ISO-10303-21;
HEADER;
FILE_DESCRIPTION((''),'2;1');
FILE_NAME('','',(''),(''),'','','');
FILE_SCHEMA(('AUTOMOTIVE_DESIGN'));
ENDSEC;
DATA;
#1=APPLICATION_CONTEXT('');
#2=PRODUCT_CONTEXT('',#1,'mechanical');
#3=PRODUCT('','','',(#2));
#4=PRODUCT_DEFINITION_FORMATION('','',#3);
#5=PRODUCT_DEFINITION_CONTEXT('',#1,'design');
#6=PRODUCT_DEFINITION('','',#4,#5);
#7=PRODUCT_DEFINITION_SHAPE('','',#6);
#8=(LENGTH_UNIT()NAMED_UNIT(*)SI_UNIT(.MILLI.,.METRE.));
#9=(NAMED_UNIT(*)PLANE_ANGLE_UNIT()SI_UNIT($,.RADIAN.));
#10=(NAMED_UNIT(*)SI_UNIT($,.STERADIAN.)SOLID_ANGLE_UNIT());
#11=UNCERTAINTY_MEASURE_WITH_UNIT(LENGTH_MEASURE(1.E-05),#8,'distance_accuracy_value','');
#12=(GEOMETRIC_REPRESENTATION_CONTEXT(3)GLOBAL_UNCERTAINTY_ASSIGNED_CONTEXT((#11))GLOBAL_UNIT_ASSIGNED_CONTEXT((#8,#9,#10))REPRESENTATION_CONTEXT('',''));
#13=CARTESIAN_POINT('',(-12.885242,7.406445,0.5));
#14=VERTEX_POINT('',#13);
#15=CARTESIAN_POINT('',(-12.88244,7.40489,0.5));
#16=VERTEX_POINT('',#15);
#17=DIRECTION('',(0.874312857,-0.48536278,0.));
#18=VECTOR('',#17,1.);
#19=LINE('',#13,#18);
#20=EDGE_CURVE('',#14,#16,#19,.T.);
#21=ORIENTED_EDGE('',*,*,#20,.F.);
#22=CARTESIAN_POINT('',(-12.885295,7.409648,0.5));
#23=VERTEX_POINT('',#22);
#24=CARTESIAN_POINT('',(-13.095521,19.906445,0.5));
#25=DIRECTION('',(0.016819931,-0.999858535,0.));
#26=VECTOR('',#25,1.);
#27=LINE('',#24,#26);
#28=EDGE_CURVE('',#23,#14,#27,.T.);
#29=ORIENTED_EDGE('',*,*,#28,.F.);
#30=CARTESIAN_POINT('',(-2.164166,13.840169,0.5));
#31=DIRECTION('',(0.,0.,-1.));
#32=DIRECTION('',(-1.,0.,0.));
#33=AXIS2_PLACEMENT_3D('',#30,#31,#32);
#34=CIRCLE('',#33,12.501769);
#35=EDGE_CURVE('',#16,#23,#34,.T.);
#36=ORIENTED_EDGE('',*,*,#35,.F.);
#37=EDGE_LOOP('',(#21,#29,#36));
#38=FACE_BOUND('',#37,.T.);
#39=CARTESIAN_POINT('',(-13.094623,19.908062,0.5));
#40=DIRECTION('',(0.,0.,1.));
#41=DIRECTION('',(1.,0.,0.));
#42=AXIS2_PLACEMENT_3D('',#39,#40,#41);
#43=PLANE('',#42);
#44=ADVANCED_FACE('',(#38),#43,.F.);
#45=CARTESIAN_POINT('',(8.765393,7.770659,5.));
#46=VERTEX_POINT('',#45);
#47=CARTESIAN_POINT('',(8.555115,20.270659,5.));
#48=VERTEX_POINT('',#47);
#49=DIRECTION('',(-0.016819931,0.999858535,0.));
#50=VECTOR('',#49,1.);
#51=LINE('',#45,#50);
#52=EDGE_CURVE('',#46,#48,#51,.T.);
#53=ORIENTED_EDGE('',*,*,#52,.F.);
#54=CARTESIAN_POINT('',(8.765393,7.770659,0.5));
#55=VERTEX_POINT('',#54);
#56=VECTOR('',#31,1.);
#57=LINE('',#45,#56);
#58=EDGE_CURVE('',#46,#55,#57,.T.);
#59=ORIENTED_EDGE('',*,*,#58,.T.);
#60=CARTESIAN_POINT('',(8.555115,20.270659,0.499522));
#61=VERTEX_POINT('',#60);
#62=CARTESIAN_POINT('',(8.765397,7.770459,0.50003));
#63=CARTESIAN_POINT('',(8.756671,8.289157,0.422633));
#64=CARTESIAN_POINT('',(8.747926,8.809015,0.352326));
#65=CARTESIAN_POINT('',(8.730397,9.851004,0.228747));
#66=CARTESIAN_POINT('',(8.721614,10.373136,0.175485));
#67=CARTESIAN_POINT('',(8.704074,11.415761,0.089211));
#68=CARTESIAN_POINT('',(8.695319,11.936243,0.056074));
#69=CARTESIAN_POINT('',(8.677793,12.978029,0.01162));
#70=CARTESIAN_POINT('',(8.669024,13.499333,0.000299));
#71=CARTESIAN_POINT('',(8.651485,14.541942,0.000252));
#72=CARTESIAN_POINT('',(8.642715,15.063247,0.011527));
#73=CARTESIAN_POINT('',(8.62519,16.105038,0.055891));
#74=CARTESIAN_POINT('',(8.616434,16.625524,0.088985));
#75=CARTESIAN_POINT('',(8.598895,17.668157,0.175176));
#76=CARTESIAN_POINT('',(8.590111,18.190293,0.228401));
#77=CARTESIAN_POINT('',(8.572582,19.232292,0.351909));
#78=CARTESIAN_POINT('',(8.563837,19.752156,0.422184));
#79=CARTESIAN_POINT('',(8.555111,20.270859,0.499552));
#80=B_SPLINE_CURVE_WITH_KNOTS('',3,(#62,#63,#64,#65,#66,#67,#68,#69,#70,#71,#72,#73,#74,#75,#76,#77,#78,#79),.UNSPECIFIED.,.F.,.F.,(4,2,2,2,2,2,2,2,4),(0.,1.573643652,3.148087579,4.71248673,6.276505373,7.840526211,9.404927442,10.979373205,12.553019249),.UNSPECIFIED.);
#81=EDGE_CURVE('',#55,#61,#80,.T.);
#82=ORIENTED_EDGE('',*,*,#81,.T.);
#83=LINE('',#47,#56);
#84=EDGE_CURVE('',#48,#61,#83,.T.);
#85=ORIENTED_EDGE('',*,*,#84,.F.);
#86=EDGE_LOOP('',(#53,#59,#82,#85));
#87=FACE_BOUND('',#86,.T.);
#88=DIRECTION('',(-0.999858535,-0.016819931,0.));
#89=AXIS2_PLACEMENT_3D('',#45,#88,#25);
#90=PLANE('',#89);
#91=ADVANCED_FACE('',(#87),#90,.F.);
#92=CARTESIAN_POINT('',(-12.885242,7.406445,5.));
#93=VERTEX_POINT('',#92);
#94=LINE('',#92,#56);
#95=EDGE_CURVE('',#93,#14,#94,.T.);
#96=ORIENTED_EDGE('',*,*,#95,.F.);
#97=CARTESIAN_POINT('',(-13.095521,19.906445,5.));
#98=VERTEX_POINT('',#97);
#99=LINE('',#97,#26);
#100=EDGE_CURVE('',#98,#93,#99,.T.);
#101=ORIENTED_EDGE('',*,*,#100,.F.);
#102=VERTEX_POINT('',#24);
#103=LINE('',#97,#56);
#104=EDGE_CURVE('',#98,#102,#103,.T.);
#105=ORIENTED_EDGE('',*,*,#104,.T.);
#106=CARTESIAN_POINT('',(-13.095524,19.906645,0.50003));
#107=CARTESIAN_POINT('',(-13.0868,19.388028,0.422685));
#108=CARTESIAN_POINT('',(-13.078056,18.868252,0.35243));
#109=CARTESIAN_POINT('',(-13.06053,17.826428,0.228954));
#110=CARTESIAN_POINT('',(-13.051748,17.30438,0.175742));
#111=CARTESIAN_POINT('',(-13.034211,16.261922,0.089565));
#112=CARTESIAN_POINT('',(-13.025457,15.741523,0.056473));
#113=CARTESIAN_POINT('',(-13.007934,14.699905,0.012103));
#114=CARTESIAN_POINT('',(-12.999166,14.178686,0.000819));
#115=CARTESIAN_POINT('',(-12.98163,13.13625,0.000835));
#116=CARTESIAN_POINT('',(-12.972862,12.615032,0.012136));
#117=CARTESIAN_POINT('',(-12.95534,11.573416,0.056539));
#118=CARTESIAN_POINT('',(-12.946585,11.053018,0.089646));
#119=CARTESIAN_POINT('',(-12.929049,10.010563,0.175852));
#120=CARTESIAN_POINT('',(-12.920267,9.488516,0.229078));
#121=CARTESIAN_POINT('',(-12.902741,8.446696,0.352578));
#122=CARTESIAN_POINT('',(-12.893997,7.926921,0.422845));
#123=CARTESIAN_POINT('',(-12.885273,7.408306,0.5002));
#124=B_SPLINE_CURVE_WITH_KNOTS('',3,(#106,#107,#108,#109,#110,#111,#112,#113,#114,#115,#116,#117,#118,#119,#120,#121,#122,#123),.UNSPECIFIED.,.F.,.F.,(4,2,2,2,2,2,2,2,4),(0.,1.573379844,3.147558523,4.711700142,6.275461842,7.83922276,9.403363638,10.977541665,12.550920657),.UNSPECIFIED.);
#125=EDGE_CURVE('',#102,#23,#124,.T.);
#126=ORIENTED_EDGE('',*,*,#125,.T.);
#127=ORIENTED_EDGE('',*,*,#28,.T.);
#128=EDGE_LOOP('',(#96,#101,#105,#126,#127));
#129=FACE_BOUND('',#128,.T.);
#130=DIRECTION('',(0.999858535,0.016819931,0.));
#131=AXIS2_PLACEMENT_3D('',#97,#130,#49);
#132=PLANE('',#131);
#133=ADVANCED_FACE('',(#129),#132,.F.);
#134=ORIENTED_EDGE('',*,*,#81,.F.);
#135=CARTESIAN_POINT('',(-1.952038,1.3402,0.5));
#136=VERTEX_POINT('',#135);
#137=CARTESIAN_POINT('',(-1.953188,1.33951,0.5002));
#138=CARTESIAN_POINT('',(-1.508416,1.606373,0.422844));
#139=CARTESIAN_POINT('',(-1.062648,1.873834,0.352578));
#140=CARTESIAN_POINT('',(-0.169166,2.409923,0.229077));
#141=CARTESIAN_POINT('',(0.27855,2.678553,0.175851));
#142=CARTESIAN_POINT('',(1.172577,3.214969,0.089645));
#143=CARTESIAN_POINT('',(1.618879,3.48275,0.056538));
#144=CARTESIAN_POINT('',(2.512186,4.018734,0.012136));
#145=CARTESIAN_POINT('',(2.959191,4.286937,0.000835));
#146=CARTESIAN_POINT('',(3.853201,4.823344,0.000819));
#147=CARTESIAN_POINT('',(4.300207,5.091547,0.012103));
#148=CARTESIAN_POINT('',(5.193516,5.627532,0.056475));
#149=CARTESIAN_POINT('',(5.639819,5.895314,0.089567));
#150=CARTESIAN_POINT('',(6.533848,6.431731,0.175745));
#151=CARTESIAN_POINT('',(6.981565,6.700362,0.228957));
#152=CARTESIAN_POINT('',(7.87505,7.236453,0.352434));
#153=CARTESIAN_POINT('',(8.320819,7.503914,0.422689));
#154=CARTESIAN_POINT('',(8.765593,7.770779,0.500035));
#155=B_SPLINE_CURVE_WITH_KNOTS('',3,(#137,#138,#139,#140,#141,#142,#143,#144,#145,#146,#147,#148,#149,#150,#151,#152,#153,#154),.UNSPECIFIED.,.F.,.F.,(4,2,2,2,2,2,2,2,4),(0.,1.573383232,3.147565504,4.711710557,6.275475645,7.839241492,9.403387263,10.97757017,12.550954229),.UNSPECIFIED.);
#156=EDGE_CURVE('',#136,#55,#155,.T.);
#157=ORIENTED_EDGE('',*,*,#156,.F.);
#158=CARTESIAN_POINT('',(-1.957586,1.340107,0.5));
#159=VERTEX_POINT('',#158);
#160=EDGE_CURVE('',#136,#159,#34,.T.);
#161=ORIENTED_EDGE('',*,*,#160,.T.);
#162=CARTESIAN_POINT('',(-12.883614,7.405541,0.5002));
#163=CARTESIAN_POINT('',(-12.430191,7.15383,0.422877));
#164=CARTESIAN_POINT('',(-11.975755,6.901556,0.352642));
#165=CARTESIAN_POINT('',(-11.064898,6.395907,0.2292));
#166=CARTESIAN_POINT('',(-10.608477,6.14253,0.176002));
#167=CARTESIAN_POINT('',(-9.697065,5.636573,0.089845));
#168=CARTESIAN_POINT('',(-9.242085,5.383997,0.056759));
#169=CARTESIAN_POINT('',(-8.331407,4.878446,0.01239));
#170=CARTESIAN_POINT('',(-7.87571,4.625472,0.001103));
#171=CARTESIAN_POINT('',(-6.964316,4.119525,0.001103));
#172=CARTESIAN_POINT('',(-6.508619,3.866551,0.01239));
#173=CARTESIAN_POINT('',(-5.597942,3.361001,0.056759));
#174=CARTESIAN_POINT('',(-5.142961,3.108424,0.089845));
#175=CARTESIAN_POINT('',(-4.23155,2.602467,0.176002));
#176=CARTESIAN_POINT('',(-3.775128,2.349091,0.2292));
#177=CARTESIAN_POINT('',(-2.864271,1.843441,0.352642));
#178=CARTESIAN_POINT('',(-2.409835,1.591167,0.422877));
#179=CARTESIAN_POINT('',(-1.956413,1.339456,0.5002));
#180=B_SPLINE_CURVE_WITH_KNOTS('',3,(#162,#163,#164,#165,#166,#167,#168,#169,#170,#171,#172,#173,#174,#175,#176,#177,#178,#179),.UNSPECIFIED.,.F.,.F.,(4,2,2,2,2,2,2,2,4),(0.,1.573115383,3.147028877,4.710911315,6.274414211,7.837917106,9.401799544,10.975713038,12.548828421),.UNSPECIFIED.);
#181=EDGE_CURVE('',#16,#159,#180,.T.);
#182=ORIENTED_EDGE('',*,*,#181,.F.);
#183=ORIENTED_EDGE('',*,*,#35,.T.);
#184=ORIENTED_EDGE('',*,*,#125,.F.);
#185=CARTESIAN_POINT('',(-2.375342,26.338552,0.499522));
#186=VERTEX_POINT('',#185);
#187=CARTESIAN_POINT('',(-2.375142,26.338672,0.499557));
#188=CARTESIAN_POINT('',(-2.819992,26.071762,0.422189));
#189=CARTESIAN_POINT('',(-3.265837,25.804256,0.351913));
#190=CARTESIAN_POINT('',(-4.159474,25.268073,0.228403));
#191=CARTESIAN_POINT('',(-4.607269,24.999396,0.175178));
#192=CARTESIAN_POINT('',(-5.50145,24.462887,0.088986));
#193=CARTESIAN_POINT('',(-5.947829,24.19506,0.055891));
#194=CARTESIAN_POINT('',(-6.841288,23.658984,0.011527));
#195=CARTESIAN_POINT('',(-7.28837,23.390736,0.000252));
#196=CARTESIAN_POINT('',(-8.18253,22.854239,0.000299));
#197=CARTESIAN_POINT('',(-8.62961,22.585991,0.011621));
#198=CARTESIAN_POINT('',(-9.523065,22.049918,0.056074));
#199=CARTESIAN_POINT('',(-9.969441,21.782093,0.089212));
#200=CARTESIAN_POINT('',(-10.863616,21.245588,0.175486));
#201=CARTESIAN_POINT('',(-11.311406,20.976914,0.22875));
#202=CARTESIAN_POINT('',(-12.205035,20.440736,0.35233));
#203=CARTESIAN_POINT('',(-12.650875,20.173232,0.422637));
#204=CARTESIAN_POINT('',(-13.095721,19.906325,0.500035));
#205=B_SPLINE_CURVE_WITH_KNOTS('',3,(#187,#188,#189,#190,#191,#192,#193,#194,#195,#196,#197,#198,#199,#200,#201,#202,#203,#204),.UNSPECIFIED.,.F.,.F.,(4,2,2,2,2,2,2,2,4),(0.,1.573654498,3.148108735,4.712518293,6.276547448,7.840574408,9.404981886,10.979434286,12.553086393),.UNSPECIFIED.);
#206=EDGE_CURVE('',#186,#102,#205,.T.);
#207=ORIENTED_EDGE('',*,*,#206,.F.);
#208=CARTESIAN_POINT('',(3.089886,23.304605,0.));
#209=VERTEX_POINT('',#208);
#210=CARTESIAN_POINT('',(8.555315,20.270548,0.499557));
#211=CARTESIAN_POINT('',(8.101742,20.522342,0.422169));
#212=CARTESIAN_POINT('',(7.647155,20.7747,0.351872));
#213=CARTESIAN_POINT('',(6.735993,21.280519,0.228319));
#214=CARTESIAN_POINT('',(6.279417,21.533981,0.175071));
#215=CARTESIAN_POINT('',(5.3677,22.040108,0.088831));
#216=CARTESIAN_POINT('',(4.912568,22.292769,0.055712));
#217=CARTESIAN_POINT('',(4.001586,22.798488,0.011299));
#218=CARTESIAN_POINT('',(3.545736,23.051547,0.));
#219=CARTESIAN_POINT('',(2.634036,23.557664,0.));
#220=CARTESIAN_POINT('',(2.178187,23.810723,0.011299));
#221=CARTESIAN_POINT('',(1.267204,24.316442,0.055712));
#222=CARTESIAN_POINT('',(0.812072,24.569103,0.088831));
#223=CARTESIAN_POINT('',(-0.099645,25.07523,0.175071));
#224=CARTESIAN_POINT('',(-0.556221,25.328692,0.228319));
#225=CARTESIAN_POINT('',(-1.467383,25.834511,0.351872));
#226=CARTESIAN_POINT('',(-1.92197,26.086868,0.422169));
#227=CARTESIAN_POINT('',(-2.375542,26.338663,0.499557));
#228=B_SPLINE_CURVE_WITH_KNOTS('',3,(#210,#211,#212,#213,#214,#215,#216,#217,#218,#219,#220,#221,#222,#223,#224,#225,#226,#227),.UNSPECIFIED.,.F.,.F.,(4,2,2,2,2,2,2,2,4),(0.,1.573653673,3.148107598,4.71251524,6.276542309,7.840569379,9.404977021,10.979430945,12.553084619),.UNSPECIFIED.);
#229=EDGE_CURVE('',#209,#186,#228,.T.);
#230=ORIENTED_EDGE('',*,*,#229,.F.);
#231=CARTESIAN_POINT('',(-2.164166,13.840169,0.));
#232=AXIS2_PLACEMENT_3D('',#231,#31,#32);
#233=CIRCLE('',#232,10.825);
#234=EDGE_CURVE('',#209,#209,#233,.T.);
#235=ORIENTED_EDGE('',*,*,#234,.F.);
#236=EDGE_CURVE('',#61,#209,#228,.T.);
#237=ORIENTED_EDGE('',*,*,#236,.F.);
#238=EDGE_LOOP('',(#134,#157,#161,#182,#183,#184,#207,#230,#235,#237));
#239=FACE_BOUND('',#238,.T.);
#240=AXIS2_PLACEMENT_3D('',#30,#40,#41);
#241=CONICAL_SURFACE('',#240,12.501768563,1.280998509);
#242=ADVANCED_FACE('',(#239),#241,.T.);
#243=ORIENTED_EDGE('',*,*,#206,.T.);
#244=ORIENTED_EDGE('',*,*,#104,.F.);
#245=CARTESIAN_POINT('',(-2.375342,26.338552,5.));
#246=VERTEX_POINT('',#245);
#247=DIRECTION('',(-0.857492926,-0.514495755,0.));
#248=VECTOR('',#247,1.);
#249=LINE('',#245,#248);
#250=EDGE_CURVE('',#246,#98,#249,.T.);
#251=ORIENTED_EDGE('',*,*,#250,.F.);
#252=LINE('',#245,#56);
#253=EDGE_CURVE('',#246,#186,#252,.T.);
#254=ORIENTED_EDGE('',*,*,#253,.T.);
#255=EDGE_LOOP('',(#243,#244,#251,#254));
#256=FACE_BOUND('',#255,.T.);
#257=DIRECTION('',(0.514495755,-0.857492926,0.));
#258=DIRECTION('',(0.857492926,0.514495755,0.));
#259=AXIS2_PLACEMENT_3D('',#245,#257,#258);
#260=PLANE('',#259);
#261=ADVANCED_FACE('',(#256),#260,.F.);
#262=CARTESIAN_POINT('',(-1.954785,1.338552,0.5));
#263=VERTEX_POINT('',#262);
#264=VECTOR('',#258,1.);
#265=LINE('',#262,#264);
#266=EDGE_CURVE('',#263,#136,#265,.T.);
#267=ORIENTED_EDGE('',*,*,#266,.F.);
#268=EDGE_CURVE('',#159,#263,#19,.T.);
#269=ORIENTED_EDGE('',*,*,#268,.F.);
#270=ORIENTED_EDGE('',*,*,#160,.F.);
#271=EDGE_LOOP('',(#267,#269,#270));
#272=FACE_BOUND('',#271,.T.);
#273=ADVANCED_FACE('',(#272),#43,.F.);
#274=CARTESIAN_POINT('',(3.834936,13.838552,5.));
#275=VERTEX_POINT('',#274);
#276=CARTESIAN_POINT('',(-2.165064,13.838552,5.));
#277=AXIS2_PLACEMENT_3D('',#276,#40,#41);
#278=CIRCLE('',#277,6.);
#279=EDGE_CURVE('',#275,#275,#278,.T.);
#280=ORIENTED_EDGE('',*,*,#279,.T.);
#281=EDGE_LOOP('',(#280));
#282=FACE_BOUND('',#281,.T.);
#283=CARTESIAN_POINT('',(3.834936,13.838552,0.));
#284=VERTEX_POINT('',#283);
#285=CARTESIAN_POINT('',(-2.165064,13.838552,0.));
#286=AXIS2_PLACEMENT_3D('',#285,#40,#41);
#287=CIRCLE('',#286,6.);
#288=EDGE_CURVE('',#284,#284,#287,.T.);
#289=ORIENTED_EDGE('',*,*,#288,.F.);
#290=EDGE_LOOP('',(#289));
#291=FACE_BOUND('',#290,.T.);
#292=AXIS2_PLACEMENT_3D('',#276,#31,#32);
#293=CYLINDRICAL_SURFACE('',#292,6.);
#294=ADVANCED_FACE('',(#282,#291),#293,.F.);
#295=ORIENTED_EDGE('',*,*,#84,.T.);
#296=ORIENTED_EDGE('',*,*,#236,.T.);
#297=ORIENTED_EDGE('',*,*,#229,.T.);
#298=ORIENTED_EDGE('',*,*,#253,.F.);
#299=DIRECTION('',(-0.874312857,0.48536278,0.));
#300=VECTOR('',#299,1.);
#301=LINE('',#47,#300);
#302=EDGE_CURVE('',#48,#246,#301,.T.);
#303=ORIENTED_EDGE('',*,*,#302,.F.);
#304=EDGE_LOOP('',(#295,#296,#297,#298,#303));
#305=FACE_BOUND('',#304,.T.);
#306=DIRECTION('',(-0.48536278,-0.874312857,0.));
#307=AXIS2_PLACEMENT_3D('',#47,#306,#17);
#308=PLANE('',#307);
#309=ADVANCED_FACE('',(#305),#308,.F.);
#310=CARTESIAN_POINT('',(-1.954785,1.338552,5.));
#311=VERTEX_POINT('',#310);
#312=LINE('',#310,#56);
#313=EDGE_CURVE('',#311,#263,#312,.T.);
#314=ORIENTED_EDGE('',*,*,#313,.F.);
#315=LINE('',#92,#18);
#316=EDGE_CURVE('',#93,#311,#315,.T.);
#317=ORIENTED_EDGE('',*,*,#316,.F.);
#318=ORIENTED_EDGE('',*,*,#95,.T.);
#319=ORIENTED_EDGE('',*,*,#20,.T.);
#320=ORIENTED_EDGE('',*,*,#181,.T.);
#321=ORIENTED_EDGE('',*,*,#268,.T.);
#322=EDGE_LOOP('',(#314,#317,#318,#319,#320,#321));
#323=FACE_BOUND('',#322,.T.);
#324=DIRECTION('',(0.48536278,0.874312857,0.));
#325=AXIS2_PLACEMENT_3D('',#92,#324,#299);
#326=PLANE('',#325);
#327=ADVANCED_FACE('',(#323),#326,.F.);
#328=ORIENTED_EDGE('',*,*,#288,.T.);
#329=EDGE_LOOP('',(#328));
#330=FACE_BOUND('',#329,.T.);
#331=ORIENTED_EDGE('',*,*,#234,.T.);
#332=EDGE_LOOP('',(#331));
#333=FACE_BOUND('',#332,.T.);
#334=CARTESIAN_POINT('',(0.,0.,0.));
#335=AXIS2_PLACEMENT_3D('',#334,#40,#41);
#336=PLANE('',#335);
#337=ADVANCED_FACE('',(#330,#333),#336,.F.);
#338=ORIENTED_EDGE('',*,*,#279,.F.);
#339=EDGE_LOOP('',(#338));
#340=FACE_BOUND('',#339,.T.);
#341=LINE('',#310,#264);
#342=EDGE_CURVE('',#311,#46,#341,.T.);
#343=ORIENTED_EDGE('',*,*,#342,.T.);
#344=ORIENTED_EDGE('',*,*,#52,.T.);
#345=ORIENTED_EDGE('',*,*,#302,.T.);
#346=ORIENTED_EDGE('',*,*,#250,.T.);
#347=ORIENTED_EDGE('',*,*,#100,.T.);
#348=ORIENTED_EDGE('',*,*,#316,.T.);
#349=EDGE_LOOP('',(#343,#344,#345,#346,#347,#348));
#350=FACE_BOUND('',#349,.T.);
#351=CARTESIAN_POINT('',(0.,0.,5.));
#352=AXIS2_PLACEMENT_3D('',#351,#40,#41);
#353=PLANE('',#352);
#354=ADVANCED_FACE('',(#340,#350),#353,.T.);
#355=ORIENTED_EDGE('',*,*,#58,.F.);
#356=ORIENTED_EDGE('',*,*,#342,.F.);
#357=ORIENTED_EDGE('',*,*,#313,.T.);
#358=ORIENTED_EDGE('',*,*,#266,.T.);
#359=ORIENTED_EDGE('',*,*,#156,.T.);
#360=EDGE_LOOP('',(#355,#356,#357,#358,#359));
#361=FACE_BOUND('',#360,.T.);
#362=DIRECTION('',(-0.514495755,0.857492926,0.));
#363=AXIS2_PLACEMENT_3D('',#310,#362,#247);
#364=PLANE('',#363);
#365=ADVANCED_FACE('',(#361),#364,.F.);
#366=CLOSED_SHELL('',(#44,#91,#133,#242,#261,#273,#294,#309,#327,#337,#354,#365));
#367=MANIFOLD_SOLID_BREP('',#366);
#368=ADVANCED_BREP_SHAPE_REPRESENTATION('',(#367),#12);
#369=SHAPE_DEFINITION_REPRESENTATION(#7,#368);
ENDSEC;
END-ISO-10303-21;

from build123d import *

# Parameters (mm, degrees)
SKETCH1_R           = 6
BOSS_EXTRUDE1_DEPTH = 5


with BuildPart() as part:
    # Sketch1 → Boss-Extrude1 (new body)
    with BuildSketch(Plane.XY):
        Polygon((-12.885241611, 7.406445139), (-1.954784619, 1.338552), (8.765393483, 7.770658861), (8.555114593, 20.270658861), (-2.3753424, 26.338552), (-13.095520502, 19.906445139), align=None)
        with Locations((-2.165063509, 13.838552)):
            Circle(SKETCH1_R, mode=Mode.SUBTRACT)
    extrude(amount=BOSS_EXTRUDE1_DEPTH)

    # Sketch4 → Cut-Revolve2 (revolve, cut)
    with BuildSketch(Plane(origin=(5.363371252, 9.661359793, 0), x_dir=(0.874312857, -0.48536278, 0), z_dir=(0.48536278, 0.874312857, 0))):
        Polygon((-19.434660926, 0), (-21.111429489, -0.5), (-21.548582722, -0.5), (-21.548582722, 0.495930671), (-19.434660926, 0.495930671), align=None)
    revolve(axis=Axis((-2.164165992, 13.840168751, 0), (0, 0, 1)), mode=Mode.SUBTRACT)


solid = part.part
